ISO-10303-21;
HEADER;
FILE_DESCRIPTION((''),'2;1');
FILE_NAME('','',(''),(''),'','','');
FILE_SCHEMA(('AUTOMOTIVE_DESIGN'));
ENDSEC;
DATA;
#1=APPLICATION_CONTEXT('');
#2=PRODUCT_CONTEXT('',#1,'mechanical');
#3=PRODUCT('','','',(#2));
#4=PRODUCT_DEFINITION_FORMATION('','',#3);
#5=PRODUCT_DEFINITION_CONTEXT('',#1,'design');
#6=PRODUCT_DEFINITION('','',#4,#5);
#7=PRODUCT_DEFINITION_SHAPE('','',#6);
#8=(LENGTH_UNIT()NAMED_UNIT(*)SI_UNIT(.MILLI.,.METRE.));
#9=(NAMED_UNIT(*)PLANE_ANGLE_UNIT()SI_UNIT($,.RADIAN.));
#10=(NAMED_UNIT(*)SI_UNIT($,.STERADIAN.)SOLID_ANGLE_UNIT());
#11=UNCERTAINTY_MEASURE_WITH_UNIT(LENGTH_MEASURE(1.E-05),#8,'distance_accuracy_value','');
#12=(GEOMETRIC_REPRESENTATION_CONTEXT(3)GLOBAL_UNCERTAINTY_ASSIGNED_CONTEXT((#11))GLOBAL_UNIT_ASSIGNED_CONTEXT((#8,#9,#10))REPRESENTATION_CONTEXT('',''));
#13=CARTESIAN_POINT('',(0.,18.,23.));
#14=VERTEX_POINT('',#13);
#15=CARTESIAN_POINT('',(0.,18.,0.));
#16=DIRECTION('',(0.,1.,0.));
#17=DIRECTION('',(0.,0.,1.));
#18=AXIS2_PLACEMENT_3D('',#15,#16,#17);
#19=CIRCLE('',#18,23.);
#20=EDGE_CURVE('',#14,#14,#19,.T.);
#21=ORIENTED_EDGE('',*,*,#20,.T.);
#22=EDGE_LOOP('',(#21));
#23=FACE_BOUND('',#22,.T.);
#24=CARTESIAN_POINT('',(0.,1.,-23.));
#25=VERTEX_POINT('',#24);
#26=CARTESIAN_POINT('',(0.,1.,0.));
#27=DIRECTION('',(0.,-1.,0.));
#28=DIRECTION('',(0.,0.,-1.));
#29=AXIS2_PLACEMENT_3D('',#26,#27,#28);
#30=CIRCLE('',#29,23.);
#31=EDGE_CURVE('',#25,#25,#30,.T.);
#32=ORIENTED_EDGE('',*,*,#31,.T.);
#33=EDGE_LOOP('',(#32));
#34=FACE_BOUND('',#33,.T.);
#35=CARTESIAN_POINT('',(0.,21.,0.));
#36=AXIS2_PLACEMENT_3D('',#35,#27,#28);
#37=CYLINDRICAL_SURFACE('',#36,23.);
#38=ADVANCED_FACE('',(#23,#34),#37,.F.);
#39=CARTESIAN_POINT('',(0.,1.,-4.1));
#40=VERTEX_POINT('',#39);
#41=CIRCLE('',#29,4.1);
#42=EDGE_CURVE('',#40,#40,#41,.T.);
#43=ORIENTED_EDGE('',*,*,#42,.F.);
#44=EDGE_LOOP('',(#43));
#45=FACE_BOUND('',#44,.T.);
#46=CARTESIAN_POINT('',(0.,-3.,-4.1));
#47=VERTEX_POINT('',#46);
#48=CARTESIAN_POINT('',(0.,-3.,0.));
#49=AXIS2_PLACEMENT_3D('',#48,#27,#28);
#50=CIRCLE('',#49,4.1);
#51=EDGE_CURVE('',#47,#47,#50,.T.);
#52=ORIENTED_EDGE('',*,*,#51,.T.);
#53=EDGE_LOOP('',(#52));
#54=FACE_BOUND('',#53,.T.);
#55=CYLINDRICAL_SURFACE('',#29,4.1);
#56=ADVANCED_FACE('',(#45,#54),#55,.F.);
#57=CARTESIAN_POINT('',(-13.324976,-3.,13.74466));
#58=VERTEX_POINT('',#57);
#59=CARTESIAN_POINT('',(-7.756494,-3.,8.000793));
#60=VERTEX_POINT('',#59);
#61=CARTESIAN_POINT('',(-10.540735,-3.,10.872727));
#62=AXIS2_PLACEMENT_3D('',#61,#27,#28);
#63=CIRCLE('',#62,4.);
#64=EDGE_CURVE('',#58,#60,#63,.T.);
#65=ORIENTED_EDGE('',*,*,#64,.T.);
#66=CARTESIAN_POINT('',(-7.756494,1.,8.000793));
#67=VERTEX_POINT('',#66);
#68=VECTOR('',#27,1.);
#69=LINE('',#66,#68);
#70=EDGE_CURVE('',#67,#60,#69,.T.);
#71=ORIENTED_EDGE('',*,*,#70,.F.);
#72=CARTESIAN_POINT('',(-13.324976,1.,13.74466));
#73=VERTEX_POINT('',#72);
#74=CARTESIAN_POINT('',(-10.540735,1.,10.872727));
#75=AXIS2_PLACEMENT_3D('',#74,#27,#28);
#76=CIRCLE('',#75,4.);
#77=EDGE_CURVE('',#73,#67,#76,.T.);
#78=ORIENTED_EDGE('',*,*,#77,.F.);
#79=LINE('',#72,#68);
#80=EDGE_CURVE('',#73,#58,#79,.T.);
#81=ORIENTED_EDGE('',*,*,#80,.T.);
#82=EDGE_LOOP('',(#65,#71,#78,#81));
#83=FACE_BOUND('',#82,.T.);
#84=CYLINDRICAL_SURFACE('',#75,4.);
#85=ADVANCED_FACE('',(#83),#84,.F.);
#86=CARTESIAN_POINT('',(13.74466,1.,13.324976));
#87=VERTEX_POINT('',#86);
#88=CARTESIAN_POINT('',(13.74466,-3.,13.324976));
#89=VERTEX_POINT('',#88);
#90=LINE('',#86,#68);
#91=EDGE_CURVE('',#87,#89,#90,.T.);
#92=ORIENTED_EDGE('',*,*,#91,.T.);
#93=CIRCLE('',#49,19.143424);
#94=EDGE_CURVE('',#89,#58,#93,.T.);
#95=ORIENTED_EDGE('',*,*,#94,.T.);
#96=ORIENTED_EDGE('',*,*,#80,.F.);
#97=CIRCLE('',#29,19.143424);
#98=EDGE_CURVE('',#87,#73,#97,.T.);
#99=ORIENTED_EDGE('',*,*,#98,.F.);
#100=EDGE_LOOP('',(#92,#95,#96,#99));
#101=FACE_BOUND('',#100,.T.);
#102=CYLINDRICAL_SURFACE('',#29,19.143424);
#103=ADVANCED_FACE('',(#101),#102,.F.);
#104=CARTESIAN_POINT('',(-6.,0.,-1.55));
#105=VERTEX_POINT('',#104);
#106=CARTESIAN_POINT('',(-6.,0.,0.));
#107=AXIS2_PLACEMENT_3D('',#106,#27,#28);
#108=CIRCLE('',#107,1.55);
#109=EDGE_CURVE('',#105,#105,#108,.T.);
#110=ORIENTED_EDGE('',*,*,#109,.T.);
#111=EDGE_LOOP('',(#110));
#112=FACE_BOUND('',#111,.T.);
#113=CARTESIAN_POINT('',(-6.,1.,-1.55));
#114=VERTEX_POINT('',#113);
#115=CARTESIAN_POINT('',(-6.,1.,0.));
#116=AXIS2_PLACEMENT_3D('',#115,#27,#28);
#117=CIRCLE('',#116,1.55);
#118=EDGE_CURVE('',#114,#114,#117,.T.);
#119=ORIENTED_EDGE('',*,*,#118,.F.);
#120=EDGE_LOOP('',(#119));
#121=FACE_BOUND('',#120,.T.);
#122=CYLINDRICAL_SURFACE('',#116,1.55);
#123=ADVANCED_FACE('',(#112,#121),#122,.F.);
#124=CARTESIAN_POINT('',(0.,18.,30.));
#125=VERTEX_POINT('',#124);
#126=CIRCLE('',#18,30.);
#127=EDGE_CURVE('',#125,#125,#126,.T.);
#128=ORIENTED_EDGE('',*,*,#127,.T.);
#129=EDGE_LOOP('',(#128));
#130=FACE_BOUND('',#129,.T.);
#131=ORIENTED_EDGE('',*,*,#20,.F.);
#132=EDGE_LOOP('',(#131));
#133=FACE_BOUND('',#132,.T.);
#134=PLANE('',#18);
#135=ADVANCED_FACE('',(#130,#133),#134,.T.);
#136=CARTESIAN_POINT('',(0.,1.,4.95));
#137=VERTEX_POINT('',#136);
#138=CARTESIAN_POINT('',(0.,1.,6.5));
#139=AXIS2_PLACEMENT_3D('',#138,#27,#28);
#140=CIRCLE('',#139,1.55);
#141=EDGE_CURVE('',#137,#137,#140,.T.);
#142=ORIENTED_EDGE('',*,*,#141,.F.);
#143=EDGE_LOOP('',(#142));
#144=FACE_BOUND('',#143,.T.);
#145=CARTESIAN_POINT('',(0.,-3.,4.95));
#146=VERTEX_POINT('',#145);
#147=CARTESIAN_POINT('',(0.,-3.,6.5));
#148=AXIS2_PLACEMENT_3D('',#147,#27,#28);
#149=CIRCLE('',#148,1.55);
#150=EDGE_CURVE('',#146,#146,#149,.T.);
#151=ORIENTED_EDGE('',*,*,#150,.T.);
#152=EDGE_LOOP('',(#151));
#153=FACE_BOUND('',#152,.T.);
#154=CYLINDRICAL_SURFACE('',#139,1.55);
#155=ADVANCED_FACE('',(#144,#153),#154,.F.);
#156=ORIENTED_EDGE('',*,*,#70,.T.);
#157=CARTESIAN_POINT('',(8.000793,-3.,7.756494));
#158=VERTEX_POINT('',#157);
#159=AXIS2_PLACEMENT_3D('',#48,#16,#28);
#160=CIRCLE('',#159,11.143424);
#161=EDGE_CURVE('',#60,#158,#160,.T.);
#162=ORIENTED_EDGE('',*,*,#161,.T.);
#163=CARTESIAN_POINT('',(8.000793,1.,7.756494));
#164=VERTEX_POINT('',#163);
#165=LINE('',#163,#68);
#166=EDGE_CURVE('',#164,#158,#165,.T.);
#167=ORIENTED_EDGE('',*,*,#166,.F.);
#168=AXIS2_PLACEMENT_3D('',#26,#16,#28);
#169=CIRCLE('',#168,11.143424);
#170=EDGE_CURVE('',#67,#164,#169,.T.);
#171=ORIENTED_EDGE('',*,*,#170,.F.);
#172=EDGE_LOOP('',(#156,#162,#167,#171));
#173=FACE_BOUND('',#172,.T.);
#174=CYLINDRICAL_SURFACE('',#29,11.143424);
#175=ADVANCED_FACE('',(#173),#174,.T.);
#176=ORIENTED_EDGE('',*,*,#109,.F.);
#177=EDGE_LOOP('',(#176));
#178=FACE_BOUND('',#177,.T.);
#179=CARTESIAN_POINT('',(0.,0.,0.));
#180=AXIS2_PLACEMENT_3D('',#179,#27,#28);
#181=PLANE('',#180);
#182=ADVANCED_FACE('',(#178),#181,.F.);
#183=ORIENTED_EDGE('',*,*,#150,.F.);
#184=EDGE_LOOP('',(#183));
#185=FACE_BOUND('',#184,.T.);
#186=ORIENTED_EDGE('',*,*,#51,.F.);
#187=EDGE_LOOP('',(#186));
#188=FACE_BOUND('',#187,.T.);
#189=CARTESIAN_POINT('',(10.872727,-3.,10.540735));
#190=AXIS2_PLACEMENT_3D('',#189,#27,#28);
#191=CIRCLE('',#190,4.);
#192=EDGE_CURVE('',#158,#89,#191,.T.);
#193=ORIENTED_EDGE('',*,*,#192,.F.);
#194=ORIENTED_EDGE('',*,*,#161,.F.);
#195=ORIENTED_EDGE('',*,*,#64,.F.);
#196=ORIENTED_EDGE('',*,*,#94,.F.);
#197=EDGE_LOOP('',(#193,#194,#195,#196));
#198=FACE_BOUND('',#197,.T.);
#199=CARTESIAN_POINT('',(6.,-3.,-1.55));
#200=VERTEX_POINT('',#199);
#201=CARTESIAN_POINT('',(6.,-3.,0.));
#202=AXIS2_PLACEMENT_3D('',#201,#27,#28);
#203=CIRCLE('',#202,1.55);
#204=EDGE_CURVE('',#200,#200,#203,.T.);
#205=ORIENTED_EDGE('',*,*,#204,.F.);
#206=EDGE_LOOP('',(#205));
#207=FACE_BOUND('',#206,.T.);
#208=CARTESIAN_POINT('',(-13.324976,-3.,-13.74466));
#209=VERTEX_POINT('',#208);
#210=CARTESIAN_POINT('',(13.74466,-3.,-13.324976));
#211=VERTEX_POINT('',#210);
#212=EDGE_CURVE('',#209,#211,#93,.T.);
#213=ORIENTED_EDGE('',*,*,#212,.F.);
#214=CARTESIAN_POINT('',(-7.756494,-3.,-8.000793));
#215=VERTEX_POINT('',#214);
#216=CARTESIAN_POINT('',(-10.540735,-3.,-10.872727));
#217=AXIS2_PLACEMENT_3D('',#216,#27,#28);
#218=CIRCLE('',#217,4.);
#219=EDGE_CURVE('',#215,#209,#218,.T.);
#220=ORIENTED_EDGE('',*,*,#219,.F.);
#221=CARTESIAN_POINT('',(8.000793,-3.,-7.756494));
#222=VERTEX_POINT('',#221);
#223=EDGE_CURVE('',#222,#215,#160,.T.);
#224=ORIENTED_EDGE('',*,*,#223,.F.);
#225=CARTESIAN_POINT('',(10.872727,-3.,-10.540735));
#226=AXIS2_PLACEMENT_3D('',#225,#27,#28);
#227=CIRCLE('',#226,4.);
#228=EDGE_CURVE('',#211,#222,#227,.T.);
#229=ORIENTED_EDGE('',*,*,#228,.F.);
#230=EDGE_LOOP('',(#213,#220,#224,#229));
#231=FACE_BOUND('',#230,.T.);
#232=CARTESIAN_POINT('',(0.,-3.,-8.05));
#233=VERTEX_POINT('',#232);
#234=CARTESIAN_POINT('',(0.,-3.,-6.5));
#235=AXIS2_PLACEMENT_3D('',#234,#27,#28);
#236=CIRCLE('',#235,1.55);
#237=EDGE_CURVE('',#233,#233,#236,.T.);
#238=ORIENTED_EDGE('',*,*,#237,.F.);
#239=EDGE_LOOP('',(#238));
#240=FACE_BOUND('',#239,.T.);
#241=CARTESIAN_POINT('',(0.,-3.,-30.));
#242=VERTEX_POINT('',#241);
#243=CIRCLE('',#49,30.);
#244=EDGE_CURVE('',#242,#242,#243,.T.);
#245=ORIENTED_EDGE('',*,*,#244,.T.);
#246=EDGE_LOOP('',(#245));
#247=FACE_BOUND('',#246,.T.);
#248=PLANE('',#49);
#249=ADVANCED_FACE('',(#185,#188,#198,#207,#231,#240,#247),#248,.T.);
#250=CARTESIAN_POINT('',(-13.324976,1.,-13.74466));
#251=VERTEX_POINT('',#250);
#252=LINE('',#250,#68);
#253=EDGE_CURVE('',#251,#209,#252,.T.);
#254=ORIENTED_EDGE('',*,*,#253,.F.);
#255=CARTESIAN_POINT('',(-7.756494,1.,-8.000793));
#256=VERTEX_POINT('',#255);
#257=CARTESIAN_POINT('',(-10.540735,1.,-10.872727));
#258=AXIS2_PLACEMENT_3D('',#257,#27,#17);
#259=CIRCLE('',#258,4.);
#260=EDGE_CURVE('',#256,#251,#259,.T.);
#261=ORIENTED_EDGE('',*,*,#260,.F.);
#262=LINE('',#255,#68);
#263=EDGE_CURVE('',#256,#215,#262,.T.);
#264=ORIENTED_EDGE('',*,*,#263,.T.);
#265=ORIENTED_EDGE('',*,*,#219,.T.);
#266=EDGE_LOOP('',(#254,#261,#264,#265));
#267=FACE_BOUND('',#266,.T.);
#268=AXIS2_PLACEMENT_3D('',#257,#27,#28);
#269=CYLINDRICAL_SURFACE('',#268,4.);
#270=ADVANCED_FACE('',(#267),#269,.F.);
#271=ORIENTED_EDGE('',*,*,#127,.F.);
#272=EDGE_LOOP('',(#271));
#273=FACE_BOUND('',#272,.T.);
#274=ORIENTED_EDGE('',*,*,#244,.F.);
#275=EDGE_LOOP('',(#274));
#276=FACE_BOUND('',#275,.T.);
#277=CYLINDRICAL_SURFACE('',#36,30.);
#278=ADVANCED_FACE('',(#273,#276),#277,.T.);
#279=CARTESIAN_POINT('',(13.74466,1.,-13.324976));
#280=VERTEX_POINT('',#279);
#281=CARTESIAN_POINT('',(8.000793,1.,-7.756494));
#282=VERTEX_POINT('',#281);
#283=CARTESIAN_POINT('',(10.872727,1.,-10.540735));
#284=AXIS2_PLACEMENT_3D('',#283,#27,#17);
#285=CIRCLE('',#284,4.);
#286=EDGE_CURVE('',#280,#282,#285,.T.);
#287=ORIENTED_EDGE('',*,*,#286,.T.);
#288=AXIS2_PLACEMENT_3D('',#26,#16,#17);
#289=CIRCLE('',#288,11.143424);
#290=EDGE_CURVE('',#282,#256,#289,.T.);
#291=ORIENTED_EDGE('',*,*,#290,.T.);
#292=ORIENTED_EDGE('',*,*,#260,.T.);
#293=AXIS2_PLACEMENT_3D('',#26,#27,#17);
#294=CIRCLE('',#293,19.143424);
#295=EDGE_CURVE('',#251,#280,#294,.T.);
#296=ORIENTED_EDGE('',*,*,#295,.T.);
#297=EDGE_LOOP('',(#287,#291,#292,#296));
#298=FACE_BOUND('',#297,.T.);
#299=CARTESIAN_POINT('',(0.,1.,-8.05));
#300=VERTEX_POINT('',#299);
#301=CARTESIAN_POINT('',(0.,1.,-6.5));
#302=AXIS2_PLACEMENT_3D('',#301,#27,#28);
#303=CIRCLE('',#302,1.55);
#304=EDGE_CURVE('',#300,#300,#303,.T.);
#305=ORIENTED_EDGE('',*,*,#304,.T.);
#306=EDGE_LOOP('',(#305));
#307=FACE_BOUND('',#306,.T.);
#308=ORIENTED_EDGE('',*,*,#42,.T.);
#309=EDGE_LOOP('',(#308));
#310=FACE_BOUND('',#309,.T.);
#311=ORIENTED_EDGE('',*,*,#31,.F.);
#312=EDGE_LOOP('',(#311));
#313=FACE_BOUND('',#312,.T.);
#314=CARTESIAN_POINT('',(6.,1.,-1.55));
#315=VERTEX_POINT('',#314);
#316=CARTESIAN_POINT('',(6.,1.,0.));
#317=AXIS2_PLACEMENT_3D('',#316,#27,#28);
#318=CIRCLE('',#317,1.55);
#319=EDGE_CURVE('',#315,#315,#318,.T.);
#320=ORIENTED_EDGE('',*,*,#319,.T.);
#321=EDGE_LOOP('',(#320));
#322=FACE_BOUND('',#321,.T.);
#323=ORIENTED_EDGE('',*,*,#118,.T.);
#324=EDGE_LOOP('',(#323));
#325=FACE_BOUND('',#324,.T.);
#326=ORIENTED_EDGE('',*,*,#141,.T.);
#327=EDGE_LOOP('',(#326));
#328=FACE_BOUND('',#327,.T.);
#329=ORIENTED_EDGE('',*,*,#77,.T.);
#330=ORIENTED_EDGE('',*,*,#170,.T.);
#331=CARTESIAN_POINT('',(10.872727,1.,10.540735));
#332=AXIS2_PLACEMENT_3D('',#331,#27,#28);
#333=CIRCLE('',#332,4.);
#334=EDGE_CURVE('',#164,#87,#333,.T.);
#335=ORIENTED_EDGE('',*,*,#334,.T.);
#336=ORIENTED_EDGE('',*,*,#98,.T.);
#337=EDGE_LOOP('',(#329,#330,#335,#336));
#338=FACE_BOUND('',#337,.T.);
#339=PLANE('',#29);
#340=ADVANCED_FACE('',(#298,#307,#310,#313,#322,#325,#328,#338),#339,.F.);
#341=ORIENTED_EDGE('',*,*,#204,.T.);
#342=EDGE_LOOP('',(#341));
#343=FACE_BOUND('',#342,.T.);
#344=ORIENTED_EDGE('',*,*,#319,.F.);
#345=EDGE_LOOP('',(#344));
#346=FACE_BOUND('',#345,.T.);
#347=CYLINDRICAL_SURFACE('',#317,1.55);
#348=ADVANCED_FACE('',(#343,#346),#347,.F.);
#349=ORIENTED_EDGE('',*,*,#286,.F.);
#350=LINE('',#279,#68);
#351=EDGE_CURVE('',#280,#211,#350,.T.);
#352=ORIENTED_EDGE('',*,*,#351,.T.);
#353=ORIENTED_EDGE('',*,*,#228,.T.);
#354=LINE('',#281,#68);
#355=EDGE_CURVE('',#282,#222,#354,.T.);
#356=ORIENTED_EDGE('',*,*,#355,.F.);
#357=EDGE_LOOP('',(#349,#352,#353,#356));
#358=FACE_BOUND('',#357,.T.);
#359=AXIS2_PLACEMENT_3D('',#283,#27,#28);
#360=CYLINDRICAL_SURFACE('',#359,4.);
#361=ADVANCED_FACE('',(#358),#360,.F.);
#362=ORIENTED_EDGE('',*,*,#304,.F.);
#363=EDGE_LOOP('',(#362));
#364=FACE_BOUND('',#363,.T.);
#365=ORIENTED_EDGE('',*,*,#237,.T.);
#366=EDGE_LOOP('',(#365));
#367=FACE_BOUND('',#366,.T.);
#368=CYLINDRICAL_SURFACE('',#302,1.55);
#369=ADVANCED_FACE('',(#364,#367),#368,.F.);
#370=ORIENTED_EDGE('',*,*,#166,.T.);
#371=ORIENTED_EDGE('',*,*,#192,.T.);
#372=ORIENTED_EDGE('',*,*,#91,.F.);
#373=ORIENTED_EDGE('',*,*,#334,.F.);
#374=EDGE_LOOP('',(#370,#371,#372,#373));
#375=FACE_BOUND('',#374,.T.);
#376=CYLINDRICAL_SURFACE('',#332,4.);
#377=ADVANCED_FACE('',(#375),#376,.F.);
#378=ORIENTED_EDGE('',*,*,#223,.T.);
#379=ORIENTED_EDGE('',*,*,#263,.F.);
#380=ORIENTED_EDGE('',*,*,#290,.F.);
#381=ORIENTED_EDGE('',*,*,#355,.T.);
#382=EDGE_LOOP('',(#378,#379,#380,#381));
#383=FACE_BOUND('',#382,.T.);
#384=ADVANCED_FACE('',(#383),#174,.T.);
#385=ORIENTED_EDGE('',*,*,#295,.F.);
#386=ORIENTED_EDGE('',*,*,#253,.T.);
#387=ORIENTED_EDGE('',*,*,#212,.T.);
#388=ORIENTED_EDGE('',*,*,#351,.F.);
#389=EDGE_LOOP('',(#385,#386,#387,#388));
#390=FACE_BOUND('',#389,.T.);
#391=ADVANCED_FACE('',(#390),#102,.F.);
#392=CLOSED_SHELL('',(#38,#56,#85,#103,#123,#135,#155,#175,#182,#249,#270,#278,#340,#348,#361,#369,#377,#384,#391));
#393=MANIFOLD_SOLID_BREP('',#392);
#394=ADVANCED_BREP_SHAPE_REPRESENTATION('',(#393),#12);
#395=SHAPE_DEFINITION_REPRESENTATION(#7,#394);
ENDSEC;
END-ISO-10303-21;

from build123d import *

# Parameters (mm, degrees)
SKETCH_1_R          = 30
SKETCH_1_R_2        = 23
EXTRUDE_1_DEPTH     = 21
SKETCH_2_R          = 23
SKETCH_2_R_2        = 4.1
SKETCH_2_R_3        = 1.55
EXTRUDE_2_DEPTH     = 1
SKETCH_3_R          = 30
SKETCH_3_R_2        = 1.55
SKETCH_3_R_3        = 4.1
EXTRUDE_3_DEPTH     = 3
SKETCH_4_R          = 30
CUT_EXTRUDE_1_DEPTH = 3


with BuildPart() as part:
    # 草图1 → 凸台-拉伸1 (new body)
    with BuildSketch(Plane(origin=(0, 0, 0), x_dir=(1, 0, 0), z_dir=(0, 1, 0))):
        Circle(SKETCH_1_R)
        Circle(SKETCH_1_R_2, mode=Mode.SUBTRACT)
    extrude(amount=EXTRUDE_1_DEPTH)

    # 草图2 → 凸台-拉伸2 (add)
    with BuildSketch(Plane.XZ):
        Circle(SKETCH_2_R)
        Circle(SKETCH_2_R_2, mode=Mode.SUBTRACT)
        with Locations((6, 0)):
            Circle(SKETCH_2_R_3, mode=Mode.SUBTRACT)
        with Locations((-6, 0)):
            Circle(SKETCH_2_R_3, mode=Mode.SUBTRACT)
        with Locations((0, 6.5)):
            Circle(SKETCH_2_R_3, mode=Mode.SUBTRACT)
        with Locations((0, -6.5)):
            Circle(SKETCH_2_R_3, mode=Mode.SUBTRACT)
        with BuildLine():
            ThreePointArc((13.744660155, 13.324975875), (0.2967616, 19.141123201), (-13.324975875, 13.744660155))
            ThreePointArc((-13.324975875, 13.744660155), (-13.412668503, 8.088485652), (-7.756494001, 8.000793024))
            ThreePointArc((-7.756494001, 8.000793024), (0.172745496, 11.142084508), (8.000793024, 7.756494001))
            ThreePointArc((8.000793024, 7.756494001), (13.656967527, 7.668801373), (13.744660155, 13.324975875))
        make_face(mode=Mode.SUBTRACT)
        with BuildLine():
            ThreePointArc((13.744660155, -13.324975875), (0.2967616, -19.141123201), (-13.324975875, -13.744660155))
            ThreePointArc((-13.324975875, -13.744660155), (-13.412668503, -8.088485652), (-7.756494001, -8.000793024))
            ThreePointArc((-7.756494001, -8.000793024), (0.172745496, -11.142084508), (8.000793024, -7.756494001))
            ThreePointArc((8.000793024, -7.756494001), (13.656967527, -7.668801373), (13.744660155, -13.324975875))
        make_face(mode=Mode.SUBTRACT)
    extrude(amount=-EXTRUDE_2_DEPTH)

    # 草图3 → 凸台-拉伸3 (add)
    with BuildSketch(Plane.XZ):
        Circle(SKETCH_3_R)
        with Locations((0, -6.5)):
            Circle(SKETCH_3_R_2, mode=Mode.SUBTRACT)
        with Locations((6, 0)):
            Circle(SKETCH_3_R_2, mode=Mode.SUBTRACT)
        Circle(SKETCH_3_R_3, mode=Mode.SUBTRACT)
        with Locations((0, 6.5)):
            Circle(SKETCH_3_R_2, mode=Mode.SUBTRACT)
        with BuildLine():
            ThreePointArc((-7.756494001, -8.000793024), (-13.412668503, -8.088485652), (-13.324975875, -13.744660155))
            ThreePointArc((-13.324975875, -13.744660155), (0.2967616, -19.141123201), (13.744660155, -13.324975875))
            ThreePointArc((13.744660155, -13.324975875), (13.656967527, -7.668801373), (8.000793024, -7.756494001))
            ThreePointArc((8.000793024, -7.756494001), (0.172745496, -11.142084508), (-7.756494001, -8.000793024))
        make_face(mode=Mode.SUBTRACT)
        with BuildLine():
            ThreePointArc((8.000793024, 7.756494001), (13.656967527, 7.668801373), (13.744660155, 13.324975875))
            ThreePointArc((13.744660155, 13.324975875), (0.2967616, 19.141123201), (-13.324975875, 13.744660155))
            ThreePointArc((-13.324975875, 13.744660155), (-13.412668503, 8.088485652), (-7.756494001, 8.000793024))
            ThreePointArc((-7.756494001, 8.000793024), (0.172745496, 11.142084508), (8.000793024, 7.756494001))
        make_face(mode=Mode.SUBTRACT)
    extrude(amount=EXTRUDE_3_DEPTH)

    # 草图4 → 切除-拉伸1 (cut)
    with BuildSketch(Plane(origin=(0, 21, 0), x_dir=(1, 0, 0), z_dir=(0, 1, 0))):
        Circle(SKETCH_4_R)
    extrude(amount=-CUT_EXTRUDE_1_DEPTH, mode=Mode.SUBTRACT)


solid = part.part
